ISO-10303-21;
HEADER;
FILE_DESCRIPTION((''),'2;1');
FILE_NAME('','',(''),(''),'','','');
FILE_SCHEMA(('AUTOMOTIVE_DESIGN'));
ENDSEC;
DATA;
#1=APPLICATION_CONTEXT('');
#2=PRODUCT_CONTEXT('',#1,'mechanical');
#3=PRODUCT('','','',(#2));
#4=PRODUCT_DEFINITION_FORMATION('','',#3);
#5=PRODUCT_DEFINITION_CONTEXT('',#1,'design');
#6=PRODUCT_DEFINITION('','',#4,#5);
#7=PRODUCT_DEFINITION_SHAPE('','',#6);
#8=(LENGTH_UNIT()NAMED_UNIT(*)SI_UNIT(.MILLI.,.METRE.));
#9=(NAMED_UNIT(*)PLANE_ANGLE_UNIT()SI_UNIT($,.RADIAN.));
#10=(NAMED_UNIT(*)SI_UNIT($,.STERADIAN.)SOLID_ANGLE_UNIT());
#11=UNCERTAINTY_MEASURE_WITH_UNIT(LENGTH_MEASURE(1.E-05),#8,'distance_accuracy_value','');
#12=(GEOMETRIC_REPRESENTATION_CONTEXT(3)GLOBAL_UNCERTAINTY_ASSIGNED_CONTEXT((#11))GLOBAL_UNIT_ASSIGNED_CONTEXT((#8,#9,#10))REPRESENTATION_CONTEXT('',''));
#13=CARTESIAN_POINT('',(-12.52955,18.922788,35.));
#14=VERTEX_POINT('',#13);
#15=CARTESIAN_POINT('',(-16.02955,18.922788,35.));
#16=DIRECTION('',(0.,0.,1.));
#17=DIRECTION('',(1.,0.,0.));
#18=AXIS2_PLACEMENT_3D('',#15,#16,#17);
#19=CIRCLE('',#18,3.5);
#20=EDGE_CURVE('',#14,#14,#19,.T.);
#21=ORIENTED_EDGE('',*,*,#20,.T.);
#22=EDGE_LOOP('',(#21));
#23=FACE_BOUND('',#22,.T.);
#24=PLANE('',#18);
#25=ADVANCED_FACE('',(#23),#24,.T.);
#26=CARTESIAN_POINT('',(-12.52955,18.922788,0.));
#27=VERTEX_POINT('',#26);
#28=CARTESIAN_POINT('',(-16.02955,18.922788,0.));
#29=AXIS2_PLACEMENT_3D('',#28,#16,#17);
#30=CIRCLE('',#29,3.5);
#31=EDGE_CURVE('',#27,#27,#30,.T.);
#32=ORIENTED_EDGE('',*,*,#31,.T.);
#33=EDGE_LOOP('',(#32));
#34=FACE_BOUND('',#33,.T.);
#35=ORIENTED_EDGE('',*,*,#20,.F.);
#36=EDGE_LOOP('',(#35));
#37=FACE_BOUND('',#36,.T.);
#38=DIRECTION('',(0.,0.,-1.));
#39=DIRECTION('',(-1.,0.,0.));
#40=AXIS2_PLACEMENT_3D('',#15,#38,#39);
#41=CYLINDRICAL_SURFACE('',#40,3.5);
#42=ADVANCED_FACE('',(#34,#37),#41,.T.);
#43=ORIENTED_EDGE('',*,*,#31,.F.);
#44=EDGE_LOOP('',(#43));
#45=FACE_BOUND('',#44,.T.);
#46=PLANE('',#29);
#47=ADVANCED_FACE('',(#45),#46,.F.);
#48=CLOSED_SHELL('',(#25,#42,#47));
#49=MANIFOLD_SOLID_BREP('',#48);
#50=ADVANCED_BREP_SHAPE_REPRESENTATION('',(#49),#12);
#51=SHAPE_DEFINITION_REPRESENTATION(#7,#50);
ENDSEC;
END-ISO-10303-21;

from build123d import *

# Parameters (mm, degrees)
SKETCH1_R           = 3.5
BOSS_EXTRUDE1_DEPTH = 35


with BuildPart() as part:
    # Sketch1 → Boss-Extrude1 (new body)
    with BuildSketch(Plane.XY):
        with Locations((-16.029550071, 18.92278798)):
            Circle(SKETCH1_R)
    extrude(amount=BOSS_EXTRUDE1_DEPTH)


solid = part.part
